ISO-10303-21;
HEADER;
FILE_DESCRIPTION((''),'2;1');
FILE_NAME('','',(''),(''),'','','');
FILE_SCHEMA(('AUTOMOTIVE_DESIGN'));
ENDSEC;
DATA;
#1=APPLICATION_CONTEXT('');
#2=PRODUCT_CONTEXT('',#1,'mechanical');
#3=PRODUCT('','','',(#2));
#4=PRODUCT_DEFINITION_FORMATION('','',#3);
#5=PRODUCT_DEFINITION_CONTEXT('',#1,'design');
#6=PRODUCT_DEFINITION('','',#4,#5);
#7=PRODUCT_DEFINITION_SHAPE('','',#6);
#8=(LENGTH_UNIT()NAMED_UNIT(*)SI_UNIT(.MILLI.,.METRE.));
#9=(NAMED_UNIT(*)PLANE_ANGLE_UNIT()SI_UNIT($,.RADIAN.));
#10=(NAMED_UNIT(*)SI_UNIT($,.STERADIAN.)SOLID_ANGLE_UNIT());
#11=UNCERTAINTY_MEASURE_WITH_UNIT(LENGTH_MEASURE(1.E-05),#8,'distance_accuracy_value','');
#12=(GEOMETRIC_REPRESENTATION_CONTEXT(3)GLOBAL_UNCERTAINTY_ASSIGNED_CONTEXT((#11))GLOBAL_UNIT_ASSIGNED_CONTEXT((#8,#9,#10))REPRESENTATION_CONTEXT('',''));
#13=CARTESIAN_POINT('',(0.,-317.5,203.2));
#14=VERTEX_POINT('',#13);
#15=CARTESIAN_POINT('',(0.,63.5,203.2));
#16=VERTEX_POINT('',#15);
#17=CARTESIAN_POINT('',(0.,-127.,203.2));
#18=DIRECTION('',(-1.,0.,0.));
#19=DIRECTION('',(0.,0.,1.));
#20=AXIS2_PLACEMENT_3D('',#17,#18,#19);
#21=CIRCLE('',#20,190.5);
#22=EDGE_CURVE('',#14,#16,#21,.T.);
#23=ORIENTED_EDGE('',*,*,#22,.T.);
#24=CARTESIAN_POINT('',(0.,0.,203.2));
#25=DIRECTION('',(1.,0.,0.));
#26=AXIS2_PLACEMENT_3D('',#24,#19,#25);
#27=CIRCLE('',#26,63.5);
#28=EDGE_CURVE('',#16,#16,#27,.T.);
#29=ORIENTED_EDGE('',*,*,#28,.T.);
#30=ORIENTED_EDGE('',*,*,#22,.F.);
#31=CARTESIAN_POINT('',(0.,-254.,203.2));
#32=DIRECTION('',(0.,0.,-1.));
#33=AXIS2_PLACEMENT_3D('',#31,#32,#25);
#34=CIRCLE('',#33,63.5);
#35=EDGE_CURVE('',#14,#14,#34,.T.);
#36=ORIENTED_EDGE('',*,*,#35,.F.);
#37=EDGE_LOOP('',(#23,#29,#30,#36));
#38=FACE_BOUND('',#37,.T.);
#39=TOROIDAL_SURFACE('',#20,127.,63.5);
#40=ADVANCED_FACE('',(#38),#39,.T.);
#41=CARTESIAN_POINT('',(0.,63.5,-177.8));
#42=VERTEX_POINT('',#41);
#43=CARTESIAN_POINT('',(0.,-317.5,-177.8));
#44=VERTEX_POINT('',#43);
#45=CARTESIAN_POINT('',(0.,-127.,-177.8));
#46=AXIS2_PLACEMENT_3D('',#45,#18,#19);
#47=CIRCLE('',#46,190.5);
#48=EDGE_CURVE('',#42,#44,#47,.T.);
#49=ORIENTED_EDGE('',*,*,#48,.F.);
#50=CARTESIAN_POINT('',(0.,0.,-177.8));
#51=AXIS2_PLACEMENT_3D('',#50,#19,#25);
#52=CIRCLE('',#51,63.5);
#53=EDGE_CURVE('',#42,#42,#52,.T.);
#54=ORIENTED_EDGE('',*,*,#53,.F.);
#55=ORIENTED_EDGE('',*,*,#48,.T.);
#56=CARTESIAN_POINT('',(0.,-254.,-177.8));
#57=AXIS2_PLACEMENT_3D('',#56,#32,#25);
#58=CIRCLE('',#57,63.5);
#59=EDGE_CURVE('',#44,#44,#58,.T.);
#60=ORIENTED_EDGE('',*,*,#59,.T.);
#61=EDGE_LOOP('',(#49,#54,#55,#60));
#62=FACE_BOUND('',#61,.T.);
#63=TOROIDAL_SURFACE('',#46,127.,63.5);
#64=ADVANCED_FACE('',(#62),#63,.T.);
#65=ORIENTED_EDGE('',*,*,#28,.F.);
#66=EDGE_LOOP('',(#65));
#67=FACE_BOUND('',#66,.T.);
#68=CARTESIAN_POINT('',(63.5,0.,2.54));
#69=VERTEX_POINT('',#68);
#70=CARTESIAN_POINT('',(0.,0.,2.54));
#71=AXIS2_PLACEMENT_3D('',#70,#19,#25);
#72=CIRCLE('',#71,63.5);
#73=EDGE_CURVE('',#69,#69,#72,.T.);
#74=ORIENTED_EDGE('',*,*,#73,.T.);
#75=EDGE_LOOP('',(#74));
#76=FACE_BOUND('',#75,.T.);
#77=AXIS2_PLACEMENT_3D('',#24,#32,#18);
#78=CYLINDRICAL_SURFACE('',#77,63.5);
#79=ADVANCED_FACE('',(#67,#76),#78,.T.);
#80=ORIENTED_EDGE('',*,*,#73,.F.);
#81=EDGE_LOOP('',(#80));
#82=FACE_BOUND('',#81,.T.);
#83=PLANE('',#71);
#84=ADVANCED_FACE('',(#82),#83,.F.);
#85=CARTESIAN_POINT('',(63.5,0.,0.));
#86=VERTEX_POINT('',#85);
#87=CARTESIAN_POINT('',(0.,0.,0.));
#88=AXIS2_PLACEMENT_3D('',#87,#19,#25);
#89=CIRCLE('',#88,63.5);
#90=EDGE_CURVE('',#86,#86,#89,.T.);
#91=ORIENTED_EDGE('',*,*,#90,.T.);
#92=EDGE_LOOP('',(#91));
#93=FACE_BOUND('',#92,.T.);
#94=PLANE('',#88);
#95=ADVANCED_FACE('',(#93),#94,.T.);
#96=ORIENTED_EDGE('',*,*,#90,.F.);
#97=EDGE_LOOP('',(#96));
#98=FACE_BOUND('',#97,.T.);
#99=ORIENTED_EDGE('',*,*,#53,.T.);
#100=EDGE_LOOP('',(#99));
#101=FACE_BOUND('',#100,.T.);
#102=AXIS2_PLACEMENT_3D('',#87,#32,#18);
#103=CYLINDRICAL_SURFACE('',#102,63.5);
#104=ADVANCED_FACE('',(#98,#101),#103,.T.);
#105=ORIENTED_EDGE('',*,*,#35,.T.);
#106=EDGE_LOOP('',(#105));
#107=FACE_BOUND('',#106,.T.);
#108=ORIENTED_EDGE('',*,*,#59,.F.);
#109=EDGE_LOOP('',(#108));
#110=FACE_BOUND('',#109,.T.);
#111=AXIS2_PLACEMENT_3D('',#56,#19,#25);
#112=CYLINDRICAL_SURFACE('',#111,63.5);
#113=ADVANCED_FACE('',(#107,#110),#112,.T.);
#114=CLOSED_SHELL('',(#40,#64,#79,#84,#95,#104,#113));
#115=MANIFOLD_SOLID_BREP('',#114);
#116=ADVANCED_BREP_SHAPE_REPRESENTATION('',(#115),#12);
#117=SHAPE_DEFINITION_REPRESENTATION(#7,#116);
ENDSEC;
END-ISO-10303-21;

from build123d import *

# Parameters (mm, degrees)
SKETCH1_R = 63.5


with BuildPart() as part:
    # Sweep1: sweep along a path in Sketch2
    with BuildLine(Plane(origin=(0, 0, 0), x_dir=(0, 0, -1), z_dir=(1, 0, 0))) as sweep1_path:
        Line((0, 0), (177.8, 0))
        ThreePointArc((177.8, 0), (304.8, -127), (177.8, -254))
        Line((177.8, -254), (-203.2, -254))
        ThreePointArc((-203.2, -254), (-330.2, -127), (-203.2, 0))
        Line((-203.2, 0), (-2.54, 0))
    # Sketch1 → Sweep1 (sweep)
    with BuildSketch(Plane.XY):
        Circle(SKETCH1_R)
    sweep(path=sweep1_path.line)


solid = part.part
